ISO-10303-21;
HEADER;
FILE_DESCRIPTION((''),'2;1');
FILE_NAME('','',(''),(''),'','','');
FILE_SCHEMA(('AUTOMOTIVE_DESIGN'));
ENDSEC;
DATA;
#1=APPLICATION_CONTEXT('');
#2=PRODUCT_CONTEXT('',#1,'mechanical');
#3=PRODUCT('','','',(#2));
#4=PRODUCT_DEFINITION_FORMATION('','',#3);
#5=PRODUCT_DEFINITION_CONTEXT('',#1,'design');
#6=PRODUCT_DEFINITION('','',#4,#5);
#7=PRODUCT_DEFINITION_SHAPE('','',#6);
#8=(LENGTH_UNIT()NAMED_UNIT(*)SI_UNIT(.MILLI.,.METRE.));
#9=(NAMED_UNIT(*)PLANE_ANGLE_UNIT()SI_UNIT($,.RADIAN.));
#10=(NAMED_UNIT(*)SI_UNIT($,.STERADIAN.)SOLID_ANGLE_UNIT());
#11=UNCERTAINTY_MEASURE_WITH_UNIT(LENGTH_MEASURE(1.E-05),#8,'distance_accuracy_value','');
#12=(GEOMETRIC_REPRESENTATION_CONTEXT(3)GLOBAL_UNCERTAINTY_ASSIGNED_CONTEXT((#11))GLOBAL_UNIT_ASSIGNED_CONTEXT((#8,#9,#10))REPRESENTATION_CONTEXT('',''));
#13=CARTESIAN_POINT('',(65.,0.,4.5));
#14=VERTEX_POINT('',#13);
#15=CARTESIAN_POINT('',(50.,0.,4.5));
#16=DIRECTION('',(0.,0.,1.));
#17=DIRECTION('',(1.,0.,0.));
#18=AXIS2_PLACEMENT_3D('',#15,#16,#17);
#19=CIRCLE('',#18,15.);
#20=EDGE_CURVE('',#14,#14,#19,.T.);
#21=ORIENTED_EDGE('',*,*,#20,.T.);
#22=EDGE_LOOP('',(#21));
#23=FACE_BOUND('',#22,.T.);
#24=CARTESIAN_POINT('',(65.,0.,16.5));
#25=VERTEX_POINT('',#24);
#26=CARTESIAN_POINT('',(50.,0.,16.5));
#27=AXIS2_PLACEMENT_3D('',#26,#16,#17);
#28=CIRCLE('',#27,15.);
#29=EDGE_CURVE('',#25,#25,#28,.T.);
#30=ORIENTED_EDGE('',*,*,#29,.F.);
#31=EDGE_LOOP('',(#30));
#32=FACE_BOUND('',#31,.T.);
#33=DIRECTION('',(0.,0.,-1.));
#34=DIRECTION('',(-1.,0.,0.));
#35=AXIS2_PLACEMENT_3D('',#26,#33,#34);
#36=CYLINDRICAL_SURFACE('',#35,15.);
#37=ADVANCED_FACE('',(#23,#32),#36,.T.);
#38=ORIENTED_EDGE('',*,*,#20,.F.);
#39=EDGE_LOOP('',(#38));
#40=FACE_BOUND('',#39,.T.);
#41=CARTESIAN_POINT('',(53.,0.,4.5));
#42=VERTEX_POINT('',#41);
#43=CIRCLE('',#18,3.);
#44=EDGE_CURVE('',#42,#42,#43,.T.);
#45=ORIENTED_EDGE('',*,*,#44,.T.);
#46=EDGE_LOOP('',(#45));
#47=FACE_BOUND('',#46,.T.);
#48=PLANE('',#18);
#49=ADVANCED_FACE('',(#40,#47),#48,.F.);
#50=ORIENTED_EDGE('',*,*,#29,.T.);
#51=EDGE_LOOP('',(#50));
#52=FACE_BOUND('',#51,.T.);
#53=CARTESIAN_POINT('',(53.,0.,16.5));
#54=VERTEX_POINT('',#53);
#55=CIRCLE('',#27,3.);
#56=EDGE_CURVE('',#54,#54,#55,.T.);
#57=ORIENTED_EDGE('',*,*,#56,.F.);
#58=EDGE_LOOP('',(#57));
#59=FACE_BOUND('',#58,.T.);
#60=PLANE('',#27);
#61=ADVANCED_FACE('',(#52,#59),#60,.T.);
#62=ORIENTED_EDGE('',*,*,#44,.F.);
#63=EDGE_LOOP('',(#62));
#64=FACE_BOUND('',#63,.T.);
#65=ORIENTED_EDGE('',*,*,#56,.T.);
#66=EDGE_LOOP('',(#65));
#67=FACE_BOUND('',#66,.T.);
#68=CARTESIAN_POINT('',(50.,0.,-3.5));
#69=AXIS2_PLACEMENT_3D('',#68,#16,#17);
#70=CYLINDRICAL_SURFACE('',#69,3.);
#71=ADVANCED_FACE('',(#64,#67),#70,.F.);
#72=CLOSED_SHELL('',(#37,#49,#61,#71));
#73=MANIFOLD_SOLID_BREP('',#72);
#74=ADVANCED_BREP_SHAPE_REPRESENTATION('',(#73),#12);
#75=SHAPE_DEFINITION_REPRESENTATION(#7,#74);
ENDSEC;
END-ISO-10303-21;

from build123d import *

# Parameters (mm, degrees)
BOSS_EXTRUDE1_START = 4.5
SKETCH1_R           = 15
BOSS_EXTRUDE1_DEPTH = 12
SKETCH2_R           = 3
CUT_EXTRUDE1_DEPTH  = 20


with BuildPart() as part:
    # Sketch1 → Boss-Extrude1 (new body)
    with BuildSketch(Plane.XY.offset(BOSS_EXTRUDE1_START)):
        with Locations((50, 0)):
            Circle(SKETCH1_R)
    extrude(amount=BOSS_EXTRUDE1_DEPTH)

    # Sketch2 → Cut-Extrude1 (cut)
    with BuildSketch(Plane.XY.offset(16.5)):
        with Locations((50, 0)):
            Circle(SKETCH2_R)
    extrude(amount=-CUT_EXTRUDE1_DEPTH, mode=Mode.SUBTRACT)


solid = part.part
